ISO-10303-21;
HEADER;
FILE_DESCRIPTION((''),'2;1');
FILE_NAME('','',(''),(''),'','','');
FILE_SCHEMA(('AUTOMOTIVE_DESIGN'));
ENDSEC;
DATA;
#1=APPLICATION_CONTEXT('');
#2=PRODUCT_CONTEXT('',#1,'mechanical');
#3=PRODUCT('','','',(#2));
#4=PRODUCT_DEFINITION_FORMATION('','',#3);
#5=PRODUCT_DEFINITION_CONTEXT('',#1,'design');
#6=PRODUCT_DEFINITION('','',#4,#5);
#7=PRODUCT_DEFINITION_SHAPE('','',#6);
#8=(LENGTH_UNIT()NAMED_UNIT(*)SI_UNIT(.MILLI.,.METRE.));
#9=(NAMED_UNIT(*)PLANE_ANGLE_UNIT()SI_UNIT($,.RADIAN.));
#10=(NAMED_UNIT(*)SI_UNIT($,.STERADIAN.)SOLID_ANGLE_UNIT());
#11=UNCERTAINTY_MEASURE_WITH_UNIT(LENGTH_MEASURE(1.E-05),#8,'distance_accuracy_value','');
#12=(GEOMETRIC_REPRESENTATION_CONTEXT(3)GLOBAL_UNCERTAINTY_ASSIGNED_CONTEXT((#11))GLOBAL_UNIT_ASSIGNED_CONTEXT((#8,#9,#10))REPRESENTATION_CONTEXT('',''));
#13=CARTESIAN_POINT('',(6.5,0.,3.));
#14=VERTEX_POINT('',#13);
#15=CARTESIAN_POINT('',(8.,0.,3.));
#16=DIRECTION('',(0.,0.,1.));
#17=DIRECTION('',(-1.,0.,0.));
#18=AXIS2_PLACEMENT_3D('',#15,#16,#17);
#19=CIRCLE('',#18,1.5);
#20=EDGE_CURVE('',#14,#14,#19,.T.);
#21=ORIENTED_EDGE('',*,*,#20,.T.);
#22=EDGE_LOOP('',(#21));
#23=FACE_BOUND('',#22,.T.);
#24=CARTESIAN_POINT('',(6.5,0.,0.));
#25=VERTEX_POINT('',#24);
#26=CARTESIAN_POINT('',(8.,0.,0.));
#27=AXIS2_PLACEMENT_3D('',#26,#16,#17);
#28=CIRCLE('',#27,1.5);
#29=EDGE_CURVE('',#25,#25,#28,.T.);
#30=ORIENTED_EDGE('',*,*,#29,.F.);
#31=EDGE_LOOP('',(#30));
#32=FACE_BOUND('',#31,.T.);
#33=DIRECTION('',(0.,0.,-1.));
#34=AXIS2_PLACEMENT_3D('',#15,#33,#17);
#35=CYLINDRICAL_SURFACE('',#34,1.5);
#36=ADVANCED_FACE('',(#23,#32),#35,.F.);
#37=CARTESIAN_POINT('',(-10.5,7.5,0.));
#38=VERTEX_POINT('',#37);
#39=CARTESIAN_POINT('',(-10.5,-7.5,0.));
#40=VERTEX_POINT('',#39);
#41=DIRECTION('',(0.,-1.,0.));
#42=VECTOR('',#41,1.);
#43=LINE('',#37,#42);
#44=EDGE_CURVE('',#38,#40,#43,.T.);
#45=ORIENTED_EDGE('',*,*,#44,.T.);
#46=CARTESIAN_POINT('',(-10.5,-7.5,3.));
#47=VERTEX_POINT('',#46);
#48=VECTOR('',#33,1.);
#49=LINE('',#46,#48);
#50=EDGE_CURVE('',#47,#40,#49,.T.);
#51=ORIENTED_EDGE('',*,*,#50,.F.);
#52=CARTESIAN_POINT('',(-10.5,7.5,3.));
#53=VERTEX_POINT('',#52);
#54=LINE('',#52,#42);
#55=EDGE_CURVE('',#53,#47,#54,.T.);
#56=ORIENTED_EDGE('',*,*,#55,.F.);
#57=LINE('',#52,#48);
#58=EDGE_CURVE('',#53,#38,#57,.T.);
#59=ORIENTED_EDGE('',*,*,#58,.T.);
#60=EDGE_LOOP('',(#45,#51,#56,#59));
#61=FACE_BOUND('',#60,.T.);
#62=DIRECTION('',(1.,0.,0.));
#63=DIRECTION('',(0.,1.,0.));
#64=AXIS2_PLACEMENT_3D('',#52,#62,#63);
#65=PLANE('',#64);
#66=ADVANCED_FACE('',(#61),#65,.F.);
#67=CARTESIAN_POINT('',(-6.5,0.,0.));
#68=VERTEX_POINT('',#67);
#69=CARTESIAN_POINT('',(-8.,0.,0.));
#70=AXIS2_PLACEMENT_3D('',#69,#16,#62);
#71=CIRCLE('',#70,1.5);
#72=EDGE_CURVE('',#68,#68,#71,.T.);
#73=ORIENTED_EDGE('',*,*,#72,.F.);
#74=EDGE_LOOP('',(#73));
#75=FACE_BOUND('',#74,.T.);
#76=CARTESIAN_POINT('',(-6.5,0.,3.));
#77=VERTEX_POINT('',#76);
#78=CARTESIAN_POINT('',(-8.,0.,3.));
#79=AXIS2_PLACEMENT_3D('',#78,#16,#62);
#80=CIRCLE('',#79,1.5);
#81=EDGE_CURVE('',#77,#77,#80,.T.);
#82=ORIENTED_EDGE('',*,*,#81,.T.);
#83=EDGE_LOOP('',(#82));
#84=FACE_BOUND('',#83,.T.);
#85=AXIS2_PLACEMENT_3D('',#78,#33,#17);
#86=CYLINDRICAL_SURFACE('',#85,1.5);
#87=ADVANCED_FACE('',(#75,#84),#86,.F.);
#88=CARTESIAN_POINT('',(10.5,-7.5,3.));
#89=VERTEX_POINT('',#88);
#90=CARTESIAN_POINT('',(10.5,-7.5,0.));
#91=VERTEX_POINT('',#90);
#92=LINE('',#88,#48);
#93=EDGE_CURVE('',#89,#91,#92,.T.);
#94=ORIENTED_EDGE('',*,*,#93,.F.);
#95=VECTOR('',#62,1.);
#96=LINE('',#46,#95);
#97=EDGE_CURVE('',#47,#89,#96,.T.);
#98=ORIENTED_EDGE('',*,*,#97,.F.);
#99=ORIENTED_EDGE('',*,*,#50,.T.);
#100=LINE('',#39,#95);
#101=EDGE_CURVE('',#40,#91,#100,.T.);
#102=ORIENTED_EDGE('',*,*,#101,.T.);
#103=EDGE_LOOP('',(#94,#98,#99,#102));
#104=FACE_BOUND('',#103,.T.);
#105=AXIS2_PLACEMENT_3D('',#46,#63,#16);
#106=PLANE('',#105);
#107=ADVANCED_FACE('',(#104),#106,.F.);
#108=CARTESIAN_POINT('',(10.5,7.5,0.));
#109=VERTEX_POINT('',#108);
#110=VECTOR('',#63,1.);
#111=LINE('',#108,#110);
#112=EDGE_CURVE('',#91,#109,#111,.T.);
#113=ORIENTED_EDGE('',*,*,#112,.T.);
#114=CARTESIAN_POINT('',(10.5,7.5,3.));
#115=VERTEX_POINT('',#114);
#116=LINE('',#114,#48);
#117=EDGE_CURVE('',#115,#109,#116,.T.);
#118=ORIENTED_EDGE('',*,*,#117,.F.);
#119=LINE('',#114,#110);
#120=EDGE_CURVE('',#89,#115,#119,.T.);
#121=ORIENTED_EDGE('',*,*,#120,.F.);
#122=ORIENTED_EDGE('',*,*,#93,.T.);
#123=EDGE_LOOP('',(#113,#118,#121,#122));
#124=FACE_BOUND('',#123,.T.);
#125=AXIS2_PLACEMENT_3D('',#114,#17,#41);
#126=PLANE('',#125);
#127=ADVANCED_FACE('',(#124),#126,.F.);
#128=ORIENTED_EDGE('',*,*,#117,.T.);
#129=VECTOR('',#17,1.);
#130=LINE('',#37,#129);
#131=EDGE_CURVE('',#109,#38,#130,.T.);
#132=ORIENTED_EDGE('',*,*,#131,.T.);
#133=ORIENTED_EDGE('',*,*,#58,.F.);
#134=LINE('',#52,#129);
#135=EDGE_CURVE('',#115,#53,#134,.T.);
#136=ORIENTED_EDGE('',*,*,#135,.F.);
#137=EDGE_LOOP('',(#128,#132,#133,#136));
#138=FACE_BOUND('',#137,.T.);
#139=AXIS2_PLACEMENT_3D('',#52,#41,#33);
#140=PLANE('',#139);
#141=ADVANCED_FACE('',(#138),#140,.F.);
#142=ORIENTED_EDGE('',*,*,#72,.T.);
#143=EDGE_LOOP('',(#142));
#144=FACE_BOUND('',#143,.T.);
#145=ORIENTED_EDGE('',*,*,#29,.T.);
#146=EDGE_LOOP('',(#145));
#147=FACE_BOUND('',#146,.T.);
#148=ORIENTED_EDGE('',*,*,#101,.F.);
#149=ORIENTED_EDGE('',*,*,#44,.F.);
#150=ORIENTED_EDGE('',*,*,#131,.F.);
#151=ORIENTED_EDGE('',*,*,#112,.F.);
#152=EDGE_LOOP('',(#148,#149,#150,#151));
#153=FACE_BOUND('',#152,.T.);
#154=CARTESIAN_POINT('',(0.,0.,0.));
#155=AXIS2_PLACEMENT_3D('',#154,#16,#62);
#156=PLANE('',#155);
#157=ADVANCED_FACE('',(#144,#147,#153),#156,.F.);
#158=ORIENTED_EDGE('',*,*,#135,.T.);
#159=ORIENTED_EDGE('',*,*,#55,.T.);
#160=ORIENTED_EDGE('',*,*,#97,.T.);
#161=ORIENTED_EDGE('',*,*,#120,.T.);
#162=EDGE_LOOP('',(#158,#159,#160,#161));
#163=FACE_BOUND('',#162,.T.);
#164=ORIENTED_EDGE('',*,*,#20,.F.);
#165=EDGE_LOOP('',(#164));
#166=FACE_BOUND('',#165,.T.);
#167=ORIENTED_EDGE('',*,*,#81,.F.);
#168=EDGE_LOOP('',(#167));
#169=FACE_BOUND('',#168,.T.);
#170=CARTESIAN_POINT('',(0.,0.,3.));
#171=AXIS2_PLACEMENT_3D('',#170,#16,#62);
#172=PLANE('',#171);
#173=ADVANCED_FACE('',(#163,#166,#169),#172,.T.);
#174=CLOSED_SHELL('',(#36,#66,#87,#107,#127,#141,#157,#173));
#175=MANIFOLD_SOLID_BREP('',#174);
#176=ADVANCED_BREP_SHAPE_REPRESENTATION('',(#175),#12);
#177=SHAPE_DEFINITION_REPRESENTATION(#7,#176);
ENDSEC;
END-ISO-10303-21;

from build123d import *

# Parameters (mm, degrees)
SKETCH_1_W      = 21
SKETCH_1_H      = 15
SKETCH_1_R      = 1.5
EXTRUDE_1_DEPTH = 3


with BuildPart() as part:
    # 草图1 → 凸台-拉伸1 (new body)
    with BuildSketch(Plane.XY):
        Rectangle(SKETCH_1_W, SKETCH_1_H)
        with Locations((-8, 0)):
            Circle(SKETCH_1_R, mode=Mode.SUBTRACT)
        with Locations(Location((8, 0, 0), (0, 0, 180))):
            Circle(SKETCH_1_R, mode=Mode.SUBTRACT)
    extrude(amount=EXTRUDE_1_DEPTH)


solid = part.part
